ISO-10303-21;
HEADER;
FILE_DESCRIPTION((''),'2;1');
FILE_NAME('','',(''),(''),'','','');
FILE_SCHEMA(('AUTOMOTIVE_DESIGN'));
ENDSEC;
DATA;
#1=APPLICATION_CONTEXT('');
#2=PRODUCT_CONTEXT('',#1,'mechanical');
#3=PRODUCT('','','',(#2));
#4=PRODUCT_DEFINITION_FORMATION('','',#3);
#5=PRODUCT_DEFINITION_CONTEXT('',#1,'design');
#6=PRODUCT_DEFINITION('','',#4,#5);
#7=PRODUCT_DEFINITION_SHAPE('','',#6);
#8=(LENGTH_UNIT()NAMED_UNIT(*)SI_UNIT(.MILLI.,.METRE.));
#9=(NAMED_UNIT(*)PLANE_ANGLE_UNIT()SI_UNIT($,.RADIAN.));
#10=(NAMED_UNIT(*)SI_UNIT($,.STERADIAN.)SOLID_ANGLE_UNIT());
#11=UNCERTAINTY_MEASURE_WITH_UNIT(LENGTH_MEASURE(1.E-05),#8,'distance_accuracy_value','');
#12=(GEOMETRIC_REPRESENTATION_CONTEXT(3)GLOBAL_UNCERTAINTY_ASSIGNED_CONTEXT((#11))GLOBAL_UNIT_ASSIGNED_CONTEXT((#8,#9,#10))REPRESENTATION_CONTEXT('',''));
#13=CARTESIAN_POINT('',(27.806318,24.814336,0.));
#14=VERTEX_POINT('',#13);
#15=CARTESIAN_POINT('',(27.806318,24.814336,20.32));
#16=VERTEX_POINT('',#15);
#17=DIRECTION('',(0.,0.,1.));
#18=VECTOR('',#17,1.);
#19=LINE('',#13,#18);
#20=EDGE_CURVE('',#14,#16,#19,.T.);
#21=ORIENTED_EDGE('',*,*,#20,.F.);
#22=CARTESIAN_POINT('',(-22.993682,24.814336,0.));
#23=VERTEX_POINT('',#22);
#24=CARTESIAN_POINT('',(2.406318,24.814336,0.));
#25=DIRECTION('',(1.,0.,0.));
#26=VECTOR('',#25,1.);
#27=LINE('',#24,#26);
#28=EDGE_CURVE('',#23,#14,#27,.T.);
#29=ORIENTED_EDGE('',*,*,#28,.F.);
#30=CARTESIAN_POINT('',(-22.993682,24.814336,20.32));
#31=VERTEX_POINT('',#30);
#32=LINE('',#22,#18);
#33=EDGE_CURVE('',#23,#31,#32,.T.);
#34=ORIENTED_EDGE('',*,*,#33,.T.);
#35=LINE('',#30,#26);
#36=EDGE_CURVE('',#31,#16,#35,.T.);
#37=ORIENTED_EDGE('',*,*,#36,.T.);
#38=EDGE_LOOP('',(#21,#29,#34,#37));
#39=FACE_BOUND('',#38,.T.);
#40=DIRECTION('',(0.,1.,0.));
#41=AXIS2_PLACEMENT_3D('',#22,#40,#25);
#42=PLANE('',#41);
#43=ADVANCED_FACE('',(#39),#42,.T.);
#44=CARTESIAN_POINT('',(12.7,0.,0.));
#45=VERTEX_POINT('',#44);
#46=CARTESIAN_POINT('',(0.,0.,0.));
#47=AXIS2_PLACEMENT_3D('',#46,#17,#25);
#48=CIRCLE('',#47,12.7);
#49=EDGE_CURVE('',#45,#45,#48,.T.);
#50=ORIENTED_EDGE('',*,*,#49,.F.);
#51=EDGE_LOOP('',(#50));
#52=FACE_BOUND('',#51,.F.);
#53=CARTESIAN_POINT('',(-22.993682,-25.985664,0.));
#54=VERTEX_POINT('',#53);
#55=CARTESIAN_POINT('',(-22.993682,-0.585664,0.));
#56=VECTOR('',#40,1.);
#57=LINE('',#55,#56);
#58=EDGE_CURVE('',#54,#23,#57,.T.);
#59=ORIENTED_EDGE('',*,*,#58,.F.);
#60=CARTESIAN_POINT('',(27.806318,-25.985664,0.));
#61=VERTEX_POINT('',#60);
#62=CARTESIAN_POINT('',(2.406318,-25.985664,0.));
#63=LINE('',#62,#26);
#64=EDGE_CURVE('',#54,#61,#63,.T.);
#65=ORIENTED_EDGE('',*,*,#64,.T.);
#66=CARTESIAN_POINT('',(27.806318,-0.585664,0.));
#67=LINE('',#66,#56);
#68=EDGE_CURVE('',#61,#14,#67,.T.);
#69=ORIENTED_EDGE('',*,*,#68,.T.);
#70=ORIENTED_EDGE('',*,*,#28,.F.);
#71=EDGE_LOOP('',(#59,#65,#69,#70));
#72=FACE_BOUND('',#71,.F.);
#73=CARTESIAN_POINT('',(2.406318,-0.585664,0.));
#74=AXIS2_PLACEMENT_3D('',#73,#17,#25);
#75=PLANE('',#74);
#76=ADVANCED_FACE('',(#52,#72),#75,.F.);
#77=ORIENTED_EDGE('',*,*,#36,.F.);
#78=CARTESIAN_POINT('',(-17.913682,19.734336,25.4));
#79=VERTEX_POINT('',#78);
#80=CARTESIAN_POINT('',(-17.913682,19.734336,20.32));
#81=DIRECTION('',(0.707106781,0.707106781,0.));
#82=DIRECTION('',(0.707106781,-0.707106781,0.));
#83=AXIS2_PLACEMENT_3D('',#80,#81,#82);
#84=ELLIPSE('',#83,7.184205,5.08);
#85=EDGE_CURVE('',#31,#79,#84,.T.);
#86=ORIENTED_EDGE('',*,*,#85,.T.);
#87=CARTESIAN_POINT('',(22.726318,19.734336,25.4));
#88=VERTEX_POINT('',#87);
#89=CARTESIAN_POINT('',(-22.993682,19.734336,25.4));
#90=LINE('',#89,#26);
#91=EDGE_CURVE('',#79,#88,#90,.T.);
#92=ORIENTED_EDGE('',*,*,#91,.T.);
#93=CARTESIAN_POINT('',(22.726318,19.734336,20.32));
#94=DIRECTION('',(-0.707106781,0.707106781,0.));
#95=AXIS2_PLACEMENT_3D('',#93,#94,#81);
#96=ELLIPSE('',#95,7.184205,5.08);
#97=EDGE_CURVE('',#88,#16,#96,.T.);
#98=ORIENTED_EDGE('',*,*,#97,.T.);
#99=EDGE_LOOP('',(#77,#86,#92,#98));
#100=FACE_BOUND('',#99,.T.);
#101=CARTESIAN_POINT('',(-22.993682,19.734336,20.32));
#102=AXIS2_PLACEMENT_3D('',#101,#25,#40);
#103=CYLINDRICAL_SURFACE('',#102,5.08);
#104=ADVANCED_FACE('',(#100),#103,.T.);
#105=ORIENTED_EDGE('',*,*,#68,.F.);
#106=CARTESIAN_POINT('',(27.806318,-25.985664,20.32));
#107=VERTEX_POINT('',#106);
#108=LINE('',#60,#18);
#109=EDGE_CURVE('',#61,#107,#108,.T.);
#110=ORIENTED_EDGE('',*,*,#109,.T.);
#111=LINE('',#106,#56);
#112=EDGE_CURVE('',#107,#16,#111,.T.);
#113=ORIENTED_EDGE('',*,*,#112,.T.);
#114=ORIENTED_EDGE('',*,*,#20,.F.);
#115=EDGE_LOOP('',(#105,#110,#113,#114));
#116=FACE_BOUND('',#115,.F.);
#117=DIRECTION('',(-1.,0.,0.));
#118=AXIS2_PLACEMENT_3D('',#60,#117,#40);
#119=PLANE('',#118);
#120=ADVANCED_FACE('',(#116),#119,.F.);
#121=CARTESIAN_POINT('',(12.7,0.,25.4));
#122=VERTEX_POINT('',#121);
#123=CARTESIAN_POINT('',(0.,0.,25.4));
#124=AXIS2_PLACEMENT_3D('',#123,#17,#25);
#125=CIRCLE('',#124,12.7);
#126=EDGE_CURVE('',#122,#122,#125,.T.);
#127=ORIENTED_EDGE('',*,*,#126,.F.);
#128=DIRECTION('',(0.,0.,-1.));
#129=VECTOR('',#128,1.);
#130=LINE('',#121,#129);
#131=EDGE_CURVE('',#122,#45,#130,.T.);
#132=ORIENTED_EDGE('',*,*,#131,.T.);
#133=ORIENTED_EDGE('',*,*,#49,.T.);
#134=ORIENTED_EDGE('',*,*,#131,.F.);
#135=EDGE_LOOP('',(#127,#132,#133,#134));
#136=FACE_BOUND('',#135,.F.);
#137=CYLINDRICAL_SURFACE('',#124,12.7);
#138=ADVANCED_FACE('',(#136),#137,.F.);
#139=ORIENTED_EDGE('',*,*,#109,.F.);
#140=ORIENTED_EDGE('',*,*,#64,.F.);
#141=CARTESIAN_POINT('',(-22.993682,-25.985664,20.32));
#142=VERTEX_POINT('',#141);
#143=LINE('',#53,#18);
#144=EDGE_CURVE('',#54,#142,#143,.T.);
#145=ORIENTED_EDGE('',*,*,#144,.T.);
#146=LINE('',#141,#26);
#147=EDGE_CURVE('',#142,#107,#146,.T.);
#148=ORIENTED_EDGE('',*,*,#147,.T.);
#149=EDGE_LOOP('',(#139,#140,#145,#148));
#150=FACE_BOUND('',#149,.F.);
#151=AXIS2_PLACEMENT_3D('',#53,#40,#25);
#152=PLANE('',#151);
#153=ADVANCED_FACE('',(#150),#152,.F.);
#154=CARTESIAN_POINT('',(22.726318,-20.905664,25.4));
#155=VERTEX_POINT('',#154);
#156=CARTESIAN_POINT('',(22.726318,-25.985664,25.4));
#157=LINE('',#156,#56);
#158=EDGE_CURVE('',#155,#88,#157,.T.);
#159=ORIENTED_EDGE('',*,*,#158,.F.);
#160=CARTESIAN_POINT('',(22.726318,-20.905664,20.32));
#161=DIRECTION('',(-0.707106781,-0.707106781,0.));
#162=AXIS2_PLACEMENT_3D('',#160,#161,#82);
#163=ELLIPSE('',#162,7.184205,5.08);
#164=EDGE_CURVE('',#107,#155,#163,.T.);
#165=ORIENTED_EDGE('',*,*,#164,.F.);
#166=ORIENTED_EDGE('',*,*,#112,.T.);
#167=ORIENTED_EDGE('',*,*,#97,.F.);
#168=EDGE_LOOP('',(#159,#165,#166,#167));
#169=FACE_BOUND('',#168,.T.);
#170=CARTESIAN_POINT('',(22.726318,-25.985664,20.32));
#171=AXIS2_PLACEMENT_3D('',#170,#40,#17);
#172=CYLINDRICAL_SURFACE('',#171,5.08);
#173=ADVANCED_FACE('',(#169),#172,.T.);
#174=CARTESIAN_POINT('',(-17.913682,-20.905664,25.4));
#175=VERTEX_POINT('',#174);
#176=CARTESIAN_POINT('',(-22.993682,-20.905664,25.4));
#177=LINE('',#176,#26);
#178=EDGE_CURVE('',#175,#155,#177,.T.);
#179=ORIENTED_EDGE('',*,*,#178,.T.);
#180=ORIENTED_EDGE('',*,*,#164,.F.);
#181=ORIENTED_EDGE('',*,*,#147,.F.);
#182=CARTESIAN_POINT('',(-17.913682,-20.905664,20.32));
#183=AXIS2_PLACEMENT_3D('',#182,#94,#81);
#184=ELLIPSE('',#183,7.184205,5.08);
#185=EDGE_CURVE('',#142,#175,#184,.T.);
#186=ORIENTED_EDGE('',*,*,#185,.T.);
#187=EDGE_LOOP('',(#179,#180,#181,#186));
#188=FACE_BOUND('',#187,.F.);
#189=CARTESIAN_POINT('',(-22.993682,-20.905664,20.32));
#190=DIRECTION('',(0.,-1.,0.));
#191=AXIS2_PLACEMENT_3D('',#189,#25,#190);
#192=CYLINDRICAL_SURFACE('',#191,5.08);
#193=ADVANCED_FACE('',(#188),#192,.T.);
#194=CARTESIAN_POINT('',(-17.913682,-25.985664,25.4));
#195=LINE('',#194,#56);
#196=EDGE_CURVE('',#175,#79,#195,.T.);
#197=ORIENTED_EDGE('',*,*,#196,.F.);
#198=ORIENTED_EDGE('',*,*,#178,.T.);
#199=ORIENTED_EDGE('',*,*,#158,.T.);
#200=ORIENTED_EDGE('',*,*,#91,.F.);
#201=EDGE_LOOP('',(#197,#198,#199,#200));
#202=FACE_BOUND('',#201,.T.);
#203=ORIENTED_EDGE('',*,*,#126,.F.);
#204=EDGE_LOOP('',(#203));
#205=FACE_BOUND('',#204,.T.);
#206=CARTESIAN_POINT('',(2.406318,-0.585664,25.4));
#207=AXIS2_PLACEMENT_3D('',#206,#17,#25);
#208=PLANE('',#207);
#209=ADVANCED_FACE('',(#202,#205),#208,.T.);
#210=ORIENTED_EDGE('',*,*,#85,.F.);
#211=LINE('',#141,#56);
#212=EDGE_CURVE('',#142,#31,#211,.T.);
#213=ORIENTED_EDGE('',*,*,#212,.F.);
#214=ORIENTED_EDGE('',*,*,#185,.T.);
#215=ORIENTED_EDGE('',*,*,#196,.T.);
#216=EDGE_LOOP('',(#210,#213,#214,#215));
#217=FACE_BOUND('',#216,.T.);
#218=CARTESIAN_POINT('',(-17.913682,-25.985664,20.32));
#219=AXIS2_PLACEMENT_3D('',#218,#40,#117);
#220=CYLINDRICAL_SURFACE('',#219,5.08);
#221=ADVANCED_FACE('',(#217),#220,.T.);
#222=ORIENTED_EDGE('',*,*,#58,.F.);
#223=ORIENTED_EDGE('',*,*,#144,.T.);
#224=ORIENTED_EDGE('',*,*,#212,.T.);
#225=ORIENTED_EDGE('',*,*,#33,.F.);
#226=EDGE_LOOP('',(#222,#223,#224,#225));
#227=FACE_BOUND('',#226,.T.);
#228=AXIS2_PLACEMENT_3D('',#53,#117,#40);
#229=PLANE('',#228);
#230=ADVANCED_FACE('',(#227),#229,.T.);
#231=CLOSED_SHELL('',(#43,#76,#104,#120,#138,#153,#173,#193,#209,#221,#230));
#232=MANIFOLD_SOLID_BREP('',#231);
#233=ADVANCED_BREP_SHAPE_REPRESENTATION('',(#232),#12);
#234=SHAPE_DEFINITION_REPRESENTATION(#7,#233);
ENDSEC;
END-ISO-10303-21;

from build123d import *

# Parameters (mm, degrees)
F0_W     = 50.8
F0_H     = 50.8
F1_DEPTH = 25.4
F2_R     = 12.7
F3_DEPTH = 25.4
F4_R     = 5.08


with BuildPart() as f1:
    # F0 (on Top) → F1 (new body)
    with BuildSketch(Plane.XY):
        with Locations((2.406318, -0.585664)):
            Rectangle(F0_W, F0_H)
    extrude(amount=F1_DEPTH)

    # F2 (on face) → F3 (cut)
    with BuildSketch(Plane.XY.offset(25.4)):
        Circle(F2_R)
    extrude(amount=-F3_DEPTH, mode=Mode.SUBTRACT)

    # F4
    f4_edges = [f1.edges().sort_by_distance(p)[0] for p in [
        (2.406318, -25.985664, 25.4),
        (27.806318, -0.585664, 25.4),
        (2.406318, 24.814336, 25.4),
        (-22.993682, -0.585664, 25.4),
    ]]
    fillet(f4_edges, radius=F4_R)


solid = f1.part
